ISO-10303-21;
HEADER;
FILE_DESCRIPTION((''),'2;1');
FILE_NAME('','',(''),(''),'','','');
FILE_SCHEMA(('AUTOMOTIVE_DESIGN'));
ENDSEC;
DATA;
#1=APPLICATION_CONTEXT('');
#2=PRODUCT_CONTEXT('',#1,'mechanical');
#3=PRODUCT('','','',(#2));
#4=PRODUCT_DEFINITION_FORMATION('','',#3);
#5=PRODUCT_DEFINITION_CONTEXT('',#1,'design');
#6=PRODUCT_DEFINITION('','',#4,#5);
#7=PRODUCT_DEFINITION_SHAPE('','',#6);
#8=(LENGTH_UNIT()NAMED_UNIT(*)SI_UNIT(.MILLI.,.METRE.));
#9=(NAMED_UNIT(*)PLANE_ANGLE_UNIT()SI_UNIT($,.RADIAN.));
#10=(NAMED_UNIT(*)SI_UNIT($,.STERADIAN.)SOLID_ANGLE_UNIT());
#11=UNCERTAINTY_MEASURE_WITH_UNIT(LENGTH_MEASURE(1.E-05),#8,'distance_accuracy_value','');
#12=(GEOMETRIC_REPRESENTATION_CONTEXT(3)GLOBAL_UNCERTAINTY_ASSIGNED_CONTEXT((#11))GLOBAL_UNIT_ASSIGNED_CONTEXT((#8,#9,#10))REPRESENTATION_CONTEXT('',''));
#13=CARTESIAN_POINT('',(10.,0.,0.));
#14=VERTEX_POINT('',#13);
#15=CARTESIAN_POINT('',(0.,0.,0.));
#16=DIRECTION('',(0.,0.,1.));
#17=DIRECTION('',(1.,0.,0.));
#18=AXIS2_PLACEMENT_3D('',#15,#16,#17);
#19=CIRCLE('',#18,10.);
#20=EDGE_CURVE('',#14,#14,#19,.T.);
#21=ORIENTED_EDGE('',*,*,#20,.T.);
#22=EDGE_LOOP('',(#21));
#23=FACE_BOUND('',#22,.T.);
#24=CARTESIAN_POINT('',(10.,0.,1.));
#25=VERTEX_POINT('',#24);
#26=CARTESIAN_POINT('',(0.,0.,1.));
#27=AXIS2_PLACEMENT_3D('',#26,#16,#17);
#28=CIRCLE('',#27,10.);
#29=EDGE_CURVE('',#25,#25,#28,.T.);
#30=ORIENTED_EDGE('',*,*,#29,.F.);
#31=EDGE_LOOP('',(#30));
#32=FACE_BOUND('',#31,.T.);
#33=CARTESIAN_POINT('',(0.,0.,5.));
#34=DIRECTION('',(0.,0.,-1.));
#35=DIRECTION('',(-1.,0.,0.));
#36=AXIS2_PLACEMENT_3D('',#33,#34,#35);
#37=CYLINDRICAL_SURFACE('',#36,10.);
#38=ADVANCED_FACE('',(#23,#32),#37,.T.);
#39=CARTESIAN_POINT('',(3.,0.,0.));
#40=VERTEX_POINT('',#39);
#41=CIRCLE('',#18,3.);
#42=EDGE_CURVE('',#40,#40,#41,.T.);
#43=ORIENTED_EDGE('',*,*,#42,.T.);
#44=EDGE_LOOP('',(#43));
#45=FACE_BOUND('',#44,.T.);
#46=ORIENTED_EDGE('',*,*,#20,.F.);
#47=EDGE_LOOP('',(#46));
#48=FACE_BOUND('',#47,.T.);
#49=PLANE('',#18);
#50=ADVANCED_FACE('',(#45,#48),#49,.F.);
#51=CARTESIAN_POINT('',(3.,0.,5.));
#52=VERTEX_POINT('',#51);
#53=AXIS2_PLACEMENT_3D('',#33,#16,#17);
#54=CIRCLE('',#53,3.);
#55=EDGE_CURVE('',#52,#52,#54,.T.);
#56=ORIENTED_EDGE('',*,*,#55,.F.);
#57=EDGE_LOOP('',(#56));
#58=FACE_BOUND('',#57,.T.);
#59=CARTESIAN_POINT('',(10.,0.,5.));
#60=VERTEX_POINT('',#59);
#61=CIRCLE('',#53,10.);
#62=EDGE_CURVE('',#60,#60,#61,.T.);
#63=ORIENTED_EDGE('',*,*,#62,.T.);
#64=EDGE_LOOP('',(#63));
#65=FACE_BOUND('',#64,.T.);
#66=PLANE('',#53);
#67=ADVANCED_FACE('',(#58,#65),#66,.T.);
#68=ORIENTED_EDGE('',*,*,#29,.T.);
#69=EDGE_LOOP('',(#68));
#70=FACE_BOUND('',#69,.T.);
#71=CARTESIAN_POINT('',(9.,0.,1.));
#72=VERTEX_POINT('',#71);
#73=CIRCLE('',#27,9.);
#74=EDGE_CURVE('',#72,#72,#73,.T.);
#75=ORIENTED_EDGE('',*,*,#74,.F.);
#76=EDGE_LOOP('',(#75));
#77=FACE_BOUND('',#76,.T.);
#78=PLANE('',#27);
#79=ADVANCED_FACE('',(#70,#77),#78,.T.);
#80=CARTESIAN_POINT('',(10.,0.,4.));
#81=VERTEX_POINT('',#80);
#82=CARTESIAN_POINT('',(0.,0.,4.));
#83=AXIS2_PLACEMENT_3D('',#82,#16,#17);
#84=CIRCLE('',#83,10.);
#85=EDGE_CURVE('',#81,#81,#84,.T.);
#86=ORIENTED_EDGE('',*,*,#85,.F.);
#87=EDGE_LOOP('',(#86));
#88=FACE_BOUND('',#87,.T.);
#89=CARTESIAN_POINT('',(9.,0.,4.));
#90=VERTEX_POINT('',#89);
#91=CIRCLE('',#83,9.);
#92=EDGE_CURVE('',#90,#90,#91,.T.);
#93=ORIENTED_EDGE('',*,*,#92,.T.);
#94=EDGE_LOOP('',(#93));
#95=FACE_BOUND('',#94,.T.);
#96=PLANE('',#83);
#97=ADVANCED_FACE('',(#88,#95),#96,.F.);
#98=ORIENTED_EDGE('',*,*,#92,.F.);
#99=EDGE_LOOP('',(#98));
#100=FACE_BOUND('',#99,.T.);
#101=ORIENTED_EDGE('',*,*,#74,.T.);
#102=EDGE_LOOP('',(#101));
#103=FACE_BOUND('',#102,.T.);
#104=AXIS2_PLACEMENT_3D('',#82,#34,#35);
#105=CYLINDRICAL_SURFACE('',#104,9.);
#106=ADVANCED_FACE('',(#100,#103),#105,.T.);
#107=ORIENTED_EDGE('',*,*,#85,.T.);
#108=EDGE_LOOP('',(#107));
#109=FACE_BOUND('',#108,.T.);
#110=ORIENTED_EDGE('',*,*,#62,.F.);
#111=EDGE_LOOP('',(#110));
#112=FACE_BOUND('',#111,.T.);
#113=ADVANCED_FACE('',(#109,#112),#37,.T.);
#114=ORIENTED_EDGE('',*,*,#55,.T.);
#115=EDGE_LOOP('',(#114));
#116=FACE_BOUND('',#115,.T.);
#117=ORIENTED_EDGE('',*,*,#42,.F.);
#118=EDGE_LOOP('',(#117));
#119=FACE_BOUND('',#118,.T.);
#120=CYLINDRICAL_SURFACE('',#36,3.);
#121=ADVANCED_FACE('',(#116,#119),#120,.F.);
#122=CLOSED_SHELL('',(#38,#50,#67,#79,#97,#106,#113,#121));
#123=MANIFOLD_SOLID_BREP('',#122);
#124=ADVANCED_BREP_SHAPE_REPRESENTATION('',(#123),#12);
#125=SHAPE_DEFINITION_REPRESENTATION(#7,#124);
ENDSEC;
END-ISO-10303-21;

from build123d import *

# Parameters (mm, degrees)
SKETCH1_R           = 10
SKETCH1_R_2         = 3
BOSS_EXTRUDE1_DEPTH = 5
CUT_EXTRUDE1_START  = 1
SKETCH1_3_R         = 10
SKETCH1_3_R_2       = 9
CUT_EXTRUDE1_DEPTH  = 3


with BuildPart() as part:
    # Sketch1 → Boss-Extrude1 (new body)
    with BuildSketch(Plane.XY):
        Circle(SKETCH1_R)
        Circle(SKETCH1_R_2, mode=Mode.SUBTRACT)
    extrude(amount=BOSS_EXTRUDE1_DEPTH)

    # Sketch1<3> → Cut-Extrude1 (cut)
    with BuildSketch(Plane.XY.offset(CUT_EXTRUDE1_START)):
        Circle(SKETCH1_3_R)
        Circle(SKETCH1_3_R_2, mode=Mode.SUBTRACT)
    extrude(amount=CUT_EXTRUDE1_DEPTH, mode=Mode.SUBTRACT)


solid = part.part
